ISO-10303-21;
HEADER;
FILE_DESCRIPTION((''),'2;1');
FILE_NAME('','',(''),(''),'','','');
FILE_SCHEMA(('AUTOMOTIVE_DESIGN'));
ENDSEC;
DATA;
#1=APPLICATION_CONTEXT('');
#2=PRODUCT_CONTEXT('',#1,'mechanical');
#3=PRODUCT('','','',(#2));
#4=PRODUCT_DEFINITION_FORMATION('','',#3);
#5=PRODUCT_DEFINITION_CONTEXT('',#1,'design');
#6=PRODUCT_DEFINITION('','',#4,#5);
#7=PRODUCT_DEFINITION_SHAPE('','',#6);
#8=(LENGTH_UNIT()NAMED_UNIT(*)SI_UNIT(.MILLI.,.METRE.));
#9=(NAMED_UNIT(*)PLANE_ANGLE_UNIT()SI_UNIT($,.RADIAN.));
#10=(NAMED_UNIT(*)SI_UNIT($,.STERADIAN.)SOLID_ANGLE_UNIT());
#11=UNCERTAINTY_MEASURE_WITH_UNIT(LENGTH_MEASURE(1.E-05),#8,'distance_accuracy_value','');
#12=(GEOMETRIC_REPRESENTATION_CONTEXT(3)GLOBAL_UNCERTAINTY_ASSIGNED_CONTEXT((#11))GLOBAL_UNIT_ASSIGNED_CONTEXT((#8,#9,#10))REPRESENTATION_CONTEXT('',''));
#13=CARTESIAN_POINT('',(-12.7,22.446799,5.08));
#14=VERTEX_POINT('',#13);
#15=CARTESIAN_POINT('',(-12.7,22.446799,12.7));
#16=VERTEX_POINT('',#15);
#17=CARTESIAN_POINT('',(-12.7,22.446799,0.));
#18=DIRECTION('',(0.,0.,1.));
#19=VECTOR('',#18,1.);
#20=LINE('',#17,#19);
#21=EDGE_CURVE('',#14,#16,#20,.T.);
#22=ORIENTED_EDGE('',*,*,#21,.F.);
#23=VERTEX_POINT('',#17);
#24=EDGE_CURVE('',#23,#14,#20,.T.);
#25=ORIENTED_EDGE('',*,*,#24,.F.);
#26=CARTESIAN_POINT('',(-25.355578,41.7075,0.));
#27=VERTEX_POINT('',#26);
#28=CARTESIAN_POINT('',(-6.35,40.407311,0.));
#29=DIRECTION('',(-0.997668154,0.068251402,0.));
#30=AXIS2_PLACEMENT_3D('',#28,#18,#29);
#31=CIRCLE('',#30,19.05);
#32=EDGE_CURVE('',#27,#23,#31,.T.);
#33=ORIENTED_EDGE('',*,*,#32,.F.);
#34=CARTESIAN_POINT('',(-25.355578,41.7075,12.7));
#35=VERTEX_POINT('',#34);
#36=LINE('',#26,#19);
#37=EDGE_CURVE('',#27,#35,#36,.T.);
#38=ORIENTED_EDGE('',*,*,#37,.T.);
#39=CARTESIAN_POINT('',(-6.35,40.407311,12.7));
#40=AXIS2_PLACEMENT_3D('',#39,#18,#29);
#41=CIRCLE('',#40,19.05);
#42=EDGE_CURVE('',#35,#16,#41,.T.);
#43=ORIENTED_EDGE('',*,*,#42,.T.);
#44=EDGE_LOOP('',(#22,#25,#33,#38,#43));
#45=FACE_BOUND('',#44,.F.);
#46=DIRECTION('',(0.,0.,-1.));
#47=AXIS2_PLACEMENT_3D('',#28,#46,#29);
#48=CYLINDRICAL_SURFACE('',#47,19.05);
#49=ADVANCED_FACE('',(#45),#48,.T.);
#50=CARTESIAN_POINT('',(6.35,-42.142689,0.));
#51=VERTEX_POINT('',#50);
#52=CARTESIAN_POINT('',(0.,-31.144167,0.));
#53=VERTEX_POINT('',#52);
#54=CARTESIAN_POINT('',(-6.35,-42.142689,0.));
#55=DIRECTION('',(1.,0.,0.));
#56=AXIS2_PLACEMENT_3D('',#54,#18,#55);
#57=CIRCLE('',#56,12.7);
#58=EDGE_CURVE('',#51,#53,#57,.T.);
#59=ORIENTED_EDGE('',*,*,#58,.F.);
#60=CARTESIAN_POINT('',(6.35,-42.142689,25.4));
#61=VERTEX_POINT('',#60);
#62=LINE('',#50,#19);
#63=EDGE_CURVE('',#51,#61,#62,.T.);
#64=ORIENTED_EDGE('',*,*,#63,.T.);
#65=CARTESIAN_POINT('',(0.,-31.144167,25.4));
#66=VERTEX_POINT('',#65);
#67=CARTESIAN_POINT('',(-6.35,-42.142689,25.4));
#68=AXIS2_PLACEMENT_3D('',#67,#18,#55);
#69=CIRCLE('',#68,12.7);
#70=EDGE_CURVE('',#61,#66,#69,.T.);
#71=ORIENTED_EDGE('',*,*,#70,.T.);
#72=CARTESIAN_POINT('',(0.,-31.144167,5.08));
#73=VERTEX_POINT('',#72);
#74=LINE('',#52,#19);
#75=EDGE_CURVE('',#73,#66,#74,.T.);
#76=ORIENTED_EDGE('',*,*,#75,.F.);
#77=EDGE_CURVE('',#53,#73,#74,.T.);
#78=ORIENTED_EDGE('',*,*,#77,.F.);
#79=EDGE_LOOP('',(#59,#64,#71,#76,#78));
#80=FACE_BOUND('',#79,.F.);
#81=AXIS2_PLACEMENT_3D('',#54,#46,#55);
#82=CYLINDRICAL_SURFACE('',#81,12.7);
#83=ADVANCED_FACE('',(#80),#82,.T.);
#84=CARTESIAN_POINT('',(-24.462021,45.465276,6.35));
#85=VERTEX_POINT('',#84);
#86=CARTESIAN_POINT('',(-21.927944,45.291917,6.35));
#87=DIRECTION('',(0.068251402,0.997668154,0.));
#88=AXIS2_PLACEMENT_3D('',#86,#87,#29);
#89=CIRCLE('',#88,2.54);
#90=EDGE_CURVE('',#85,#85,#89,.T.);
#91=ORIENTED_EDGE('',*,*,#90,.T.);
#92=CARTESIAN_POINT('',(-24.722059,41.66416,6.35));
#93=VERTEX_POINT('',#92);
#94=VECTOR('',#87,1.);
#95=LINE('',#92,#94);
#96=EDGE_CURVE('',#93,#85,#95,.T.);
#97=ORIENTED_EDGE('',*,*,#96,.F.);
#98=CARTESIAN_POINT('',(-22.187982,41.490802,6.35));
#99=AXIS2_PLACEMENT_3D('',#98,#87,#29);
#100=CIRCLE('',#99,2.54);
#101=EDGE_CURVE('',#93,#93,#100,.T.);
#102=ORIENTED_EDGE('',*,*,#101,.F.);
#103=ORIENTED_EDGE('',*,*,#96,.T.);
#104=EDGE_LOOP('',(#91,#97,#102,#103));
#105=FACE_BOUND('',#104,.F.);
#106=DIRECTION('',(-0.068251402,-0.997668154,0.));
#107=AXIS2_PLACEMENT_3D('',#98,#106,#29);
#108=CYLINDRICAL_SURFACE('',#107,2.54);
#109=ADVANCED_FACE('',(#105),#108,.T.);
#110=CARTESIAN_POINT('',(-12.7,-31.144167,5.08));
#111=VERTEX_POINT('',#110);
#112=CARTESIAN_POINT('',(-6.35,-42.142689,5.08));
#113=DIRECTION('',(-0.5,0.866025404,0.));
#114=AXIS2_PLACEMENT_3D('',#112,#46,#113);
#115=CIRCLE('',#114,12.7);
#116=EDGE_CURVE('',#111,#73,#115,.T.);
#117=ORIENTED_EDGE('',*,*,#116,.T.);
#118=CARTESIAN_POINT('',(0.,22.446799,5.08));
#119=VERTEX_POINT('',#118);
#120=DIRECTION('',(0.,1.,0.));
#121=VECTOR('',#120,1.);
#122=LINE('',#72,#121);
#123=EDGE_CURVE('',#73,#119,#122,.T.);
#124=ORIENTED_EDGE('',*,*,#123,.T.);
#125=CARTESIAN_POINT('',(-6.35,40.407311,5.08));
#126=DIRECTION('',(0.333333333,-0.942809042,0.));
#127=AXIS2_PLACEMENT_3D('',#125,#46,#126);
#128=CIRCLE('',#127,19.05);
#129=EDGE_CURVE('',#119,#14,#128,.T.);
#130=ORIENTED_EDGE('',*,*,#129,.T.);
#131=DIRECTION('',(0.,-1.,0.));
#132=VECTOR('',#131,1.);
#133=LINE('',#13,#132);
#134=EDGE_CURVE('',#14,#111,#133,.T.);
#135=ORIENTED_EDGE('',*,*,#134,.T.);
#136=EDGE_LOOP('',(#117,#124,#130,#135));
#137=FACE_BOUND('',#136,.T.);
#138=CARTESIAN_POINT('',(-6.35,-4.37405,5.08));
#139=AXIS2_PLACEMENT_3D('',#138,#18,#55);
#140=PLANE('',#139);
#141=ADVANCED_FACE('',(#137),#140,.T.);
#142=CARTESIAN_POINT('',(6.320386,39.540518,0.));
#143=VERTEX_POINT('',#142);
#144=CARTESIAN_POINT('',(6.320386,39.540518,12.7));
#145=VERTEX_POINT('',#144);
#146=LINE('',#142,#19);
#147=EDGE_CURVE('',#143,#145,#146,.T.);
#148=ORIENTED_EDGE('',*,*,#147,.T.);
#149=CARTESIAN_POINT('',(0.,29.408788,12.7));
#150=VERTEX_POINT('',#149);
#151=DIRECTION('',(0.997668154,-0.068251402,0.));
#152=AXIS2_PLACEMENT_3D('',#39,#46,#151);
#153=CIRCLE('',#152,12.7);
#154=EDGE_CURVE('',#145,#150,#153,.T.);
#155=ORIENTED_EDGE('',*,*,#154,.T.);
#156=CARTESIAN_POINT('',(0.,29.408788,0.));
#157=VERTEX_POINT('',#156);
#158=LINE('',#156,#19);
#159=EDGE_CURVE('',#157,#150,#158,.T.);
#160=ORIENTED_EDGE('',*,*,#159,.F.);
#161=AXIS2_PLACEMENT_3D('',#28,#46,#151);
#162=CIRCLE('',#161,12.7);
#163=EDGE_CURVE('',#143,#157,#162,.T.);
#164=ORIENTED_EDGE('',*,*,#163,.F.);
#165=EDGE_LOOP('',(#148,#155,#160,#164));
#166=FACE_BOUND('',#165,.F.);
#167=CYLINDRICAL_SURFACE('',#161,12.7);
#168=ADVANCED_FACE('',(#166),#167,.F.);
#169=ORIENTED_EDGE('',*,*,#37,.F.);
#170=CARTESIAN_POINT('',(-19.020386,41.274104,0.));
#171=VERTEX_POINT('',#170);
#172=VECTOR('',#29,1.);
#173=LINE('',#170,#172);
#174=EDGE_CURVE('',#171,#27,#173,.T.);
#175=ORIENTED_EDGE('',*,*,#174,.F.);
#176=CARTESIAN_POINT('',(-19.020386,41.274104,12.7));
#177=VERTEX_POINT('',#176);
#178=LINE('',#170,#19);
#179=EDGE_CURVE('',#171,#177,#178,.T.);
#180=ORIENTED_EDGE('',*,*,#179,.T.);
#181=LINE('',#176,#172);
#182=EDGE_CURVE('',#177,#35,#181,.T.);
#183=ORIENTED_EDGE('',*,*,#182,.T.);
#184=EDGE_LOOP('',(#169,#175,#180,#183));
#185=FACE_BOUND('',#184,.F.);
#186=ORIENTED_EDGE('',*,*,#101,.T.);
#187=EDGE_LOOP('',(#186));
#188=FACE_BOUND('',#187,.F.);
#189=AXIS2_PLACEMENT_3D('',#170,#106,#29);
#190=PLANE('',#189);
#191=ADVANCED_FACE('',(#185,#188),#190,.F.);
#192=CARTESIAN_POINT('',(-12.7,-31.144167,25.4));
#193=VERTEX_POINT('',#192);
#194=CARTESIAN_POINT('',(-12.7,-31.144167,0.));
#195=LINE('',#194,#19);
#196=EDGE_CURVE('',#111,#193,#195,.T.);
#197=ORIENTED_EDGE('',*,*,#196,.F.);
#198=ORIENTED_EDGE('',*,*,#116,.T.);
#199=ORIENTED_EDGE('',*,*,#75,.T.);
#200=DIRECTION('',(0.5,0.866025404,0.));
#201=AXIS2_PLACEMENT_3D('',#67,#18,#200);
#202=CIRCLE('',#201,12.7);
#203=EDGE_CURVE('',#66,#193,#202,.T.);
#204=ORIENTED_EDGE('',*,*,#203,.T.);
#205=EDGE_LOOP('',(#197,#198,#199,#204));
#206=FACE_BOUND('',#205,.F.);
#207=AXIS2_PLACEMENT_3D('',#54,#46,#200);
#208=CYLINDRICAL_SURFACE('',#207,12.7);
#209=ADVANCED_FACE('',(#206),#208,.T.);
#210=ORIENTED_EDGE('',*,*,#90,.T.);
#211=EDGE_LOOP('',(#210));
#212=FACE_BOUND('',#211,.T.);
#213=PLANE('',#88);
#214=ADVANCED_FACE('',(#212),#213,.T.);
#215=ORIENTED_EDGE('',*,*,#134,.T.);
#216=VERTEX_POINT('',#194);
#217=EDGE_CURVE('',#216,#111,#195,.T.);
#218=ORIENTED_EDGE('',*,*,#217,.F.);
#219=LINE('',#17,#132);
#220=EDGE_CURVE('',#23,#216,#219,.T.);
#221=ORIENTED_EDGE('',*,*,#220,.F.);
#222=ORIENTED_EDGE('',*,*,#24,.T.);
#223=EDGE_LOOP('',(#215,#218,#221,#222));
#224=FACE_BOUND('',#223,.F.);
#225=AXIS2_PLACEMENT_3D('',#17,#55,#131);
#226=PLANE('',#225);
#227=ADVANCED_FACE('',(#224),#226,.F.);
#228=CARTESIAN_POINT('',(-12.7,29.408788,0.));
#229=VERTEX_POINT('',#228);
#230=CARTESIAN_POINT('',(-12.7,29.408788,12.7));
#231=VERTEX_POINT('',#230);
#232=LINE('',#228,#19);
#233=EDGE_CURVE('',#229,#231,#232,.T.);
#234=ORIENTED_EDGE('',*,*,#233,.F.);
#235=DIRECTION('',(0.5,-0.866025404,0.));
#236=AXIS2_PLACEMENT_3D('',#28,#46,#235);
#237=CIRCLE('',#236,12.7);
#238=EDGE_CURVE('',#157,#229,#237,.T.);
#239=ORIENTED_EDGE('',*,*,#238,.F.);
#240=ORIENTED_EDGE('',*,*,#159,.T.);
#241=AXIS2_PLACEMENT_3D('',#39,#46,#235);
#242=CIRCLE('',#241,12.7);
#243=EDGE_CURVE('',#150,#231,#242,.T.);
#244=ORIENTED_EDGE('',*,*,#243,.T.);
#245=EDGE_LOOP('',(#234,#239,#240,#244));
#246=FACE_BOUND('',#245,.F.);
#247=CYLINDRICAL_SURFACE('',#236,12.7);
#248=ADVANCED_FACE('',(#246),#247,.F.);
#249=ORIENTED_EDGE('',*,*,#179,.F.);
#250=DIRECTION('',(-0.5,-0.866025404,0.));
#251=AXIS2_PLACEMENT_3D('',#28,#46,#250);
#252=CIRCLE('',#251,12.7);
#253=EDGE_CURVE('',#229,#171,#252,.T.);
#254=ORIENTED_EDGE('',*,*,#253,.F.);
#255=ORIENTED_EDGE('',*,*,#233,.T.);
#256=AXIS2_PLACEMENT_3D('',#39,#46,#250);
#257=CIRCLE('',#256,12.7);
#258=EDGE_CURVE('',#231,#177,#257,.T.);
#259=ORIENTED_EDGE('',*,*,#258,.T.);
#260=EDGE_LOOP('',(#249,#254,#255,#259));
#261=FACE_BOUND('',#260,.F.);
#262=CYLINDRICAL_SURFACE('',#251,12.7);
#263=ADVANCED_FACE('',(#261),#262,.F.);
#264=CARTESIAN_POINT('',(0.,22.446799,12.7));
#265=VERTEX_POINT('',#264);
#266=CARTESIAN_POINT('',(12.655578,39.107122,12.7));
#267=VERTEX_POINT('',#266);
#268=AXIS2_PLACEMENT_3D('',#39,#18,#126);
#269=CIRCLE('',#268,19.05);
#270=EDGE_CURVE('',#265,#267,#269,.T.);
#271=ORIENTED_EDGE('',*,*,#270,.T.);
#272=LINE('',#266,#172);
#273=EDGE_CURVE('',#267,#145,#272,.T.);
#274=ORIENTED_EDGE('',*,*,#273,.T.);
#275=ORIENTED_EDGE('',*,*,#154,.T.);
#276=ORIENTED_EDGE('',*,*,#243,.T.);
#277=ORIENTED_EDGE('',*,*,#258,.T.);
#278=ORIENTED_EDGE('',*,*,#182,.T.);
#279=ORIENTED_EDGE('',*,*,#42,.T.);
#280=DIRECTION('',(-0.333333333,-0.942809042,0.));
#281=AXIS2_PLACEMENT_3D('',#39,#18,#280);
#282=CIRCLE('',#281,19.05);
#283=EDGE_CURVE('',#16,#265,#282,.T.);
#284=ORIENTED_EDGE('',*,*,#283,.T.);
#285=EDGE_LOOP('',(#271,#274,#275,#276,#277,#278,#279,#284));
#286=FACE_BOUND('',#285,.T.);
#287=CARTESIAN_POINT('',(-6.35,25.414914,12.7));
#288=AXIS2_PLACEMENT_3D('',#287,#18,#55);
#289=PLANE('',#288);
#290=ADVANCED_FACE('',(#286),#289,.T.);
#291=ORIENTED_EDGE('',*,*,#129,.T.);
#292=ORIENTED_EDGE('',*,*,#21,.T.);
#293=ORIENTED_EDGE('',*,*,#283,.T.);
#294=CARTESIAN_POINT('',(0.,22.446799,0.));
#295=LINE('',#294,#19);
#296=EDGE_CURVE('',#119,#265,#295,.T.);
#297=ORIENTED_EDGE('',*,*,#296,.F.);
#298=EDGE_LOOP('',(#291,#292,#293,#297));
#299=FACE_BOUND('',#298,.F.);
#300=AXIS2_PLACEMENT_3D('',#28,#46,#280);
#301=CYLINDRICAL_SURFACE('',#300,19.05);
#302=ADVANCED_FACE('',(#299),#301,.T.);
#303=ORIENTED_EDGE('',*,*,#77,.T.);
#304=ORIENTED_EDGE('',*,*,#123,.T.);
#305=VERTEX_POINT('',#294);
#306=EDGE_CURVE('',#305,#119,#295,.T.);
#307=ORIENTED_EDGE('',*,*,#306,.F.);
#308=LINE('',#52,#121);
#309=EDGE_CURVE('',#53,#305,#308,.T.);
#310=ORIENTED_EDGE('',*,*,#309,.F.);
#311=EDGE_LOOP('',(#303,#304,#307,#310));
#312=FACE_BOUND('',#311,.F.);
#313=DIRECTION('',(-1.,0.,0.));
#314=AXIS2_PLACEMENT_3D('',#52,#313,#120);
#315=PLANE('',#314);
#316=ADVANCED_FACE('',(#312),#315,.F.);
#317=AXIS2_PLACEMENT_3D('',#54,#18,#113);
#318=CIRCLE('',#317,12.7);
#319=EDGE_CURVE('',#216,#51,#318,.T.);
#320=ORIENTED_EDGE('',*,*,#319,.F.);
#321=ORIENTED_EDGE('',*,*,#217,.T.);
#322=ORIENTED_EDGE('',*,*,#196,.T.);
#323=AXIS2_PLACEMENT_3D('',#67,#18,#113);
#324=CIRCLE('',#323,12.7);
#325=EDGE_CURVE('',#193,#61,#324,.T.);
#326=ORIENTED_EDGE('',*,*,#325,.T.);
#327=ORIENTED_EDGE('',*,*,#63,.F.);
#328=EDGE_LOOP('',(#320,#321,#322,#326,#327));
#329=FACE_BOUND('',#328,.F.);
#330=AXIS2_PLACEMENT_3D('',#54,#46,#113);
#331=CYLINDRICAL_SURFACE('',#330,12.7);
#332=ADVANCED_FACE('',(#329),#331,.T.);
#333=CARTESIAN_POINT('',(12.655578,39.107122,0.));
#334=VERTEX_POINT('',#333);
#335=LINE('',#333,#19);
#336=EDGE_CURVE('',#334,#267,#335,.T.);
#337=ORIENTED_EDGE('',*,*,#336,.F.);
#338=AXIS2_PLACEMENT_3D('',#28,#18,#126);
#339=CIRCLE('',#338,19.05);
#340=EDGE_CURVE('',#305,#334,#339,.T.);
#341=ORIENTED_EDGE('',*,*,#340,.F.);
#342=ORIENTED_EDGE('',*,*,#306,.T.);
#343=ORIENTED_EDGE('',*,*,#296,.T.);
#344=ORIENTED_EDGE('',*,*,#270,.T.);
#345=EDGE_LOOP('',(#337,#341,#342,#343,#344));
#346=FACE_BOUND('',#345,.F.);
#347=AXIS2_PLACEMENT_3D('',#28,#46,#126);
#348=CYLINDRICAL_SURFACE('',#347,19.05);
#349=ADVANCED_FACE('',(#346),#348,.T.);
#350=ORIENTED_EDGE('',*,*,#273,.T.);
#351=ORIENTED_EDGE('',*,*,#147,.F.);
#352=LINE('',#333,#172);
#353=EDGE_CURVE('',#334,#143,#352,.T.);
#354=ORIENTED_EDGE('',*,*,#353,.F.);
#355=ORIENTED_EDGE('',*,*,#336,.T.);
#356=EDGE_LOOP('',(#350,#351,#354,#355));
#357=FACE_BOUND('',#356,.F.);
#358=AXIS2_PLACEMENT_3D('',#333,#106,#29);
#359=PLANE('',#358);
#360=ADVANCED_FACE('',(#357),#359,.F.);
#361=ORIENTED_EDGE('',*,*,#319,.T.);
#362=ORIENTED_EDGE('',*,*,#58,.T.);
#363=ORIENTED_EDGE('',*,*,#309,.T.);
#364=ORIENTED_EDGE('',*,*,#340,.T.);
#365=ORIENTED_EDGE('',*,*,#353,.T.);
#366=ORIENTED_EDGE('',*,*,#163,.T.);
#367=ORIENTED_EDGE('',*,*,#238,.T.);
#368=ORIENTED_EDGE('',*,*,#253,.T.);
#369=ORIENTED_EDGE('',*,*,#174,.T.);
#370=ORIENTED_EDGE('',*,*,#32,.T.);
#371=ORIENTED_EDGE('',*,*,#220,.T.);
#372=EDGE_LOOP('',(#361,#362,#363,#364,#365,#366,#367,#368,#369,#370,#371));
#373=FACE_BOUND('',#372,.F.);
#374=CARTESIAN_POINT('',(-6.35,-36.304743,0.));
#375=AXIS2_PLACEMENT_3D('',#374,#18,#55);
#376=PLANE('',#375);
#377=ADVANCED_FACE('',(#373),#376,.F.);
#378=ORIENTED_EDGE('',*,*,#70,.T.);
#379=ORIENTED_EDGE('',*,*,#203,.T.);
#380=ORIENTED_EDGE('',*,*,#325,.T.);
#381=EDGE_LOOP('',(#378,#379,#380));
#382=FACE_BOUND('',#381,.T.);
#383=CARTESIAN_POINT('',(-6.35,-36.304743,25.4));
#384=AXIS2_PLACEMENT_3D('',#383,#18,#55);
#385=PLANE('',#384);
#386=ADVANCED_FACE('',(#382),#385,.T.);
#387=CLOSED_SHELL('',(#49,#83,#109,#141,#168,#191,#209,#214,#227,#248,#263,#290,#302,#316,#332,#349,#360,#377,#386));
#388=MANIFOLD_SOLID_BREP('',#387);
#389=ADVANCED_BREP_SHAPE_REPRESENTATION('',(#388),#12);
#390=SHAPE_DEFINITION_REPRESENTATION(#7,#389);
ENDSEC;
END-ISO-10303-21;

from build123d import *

# Parameters (mm, degrees)
F1_DEPTH = 12.7
F2_DEPTH = 5.08
F3_DEPTH = 25.4
F4_R     = 2.54
F5_DEPTH = 3.81


with BuildPart() as f1:
    # F0 (on Top) → F1 (new body)
    with BuildSketch(Plane.XY):
        with BuildLine():
            Line((-12.7, 29.4087881439), (-12.7, 22.4467985298))
            ThreePointArc((-12.7, 22.4467985298), (-6.35, 21.3573107719), (0, 22.4467985298))
            Line((0, 22.4467985298), (0, 29.4087881439))
            ThreePointArc((0, 29.4087881439), (-6.35, 27.7073107719), (-12.7, 29.4087881439))
        make_face()
        with BuildLine():
            ThreePointArc((-25.3555783398, 41.7074999772), (-22.2707409783, 29.9463114553), (-12.7, 22.4467985298))
            Line((-12.7, 22.4467985298), (-12.7, 29.4087881439))
            ThreePointArc((-12.7, 29.4087881439), (-17.5589336819, 34.4365649462), (-19.0203855599, 41.2741035754))
            Line((-19.0203855599, 41.2741035754), (-25.3555783398, 41.7074999772))
        make_face()
        with BuildLine():
            Line((0, 29.4087881439), (0, 22.4467985298))
            ThreePointArc((0, 22.4467985298), (8.8196383991, 28.8840920011), (12.6555783398, 39.1071215667))
            Line((12.6555783398, 39.1071215667), (6.3203855599, 39.5405179684))
            ThreePointArc((6.3203855599, 39.5405179684), (4.4252844056, 33.685462367), (0, 29.4087881439))
        make_face()
    extrude(amount=F1_DEPTH)

    # F0 (on Top) → F2 (join)
    with BuildSketch(Plane.XY):
        with BuildLine():
            Line((-12.7, 22.4467985298), (-12.7, -31.1441666))
            ThreePointArc((-12.7, -31.1441666), (-6.35, -29.4426892281), (0, -31.1441666))
            Line((0, -31.1441666), (0, 22.4467985298))
            ThreePointArc((0, 22.4467985298), (-6.35, 21.3573107719), (-12.7, 22.4467985298))
        make_face()
    extrude(amount=F2_DEPTH)

    # F0 (on Top) → F3 (join)
    with BuildSketch(Plane.XY):
        with BuildLine():
            Line((-12.7, -31.1441666), (-12.7, -42.1426892281))
            Line((-12.7, -42.1426892281), (-6.35, -42.1426892281))
            Line((-6.35, -42.1426892281), (0, -42.1426892281))
            Line((0, -42.1426892281), (0, -31.1441666))
            ThreePointArc((0, -31.1441666), (-6.35, -29.4426892281), (-12.7, -31.1441666))
        make_face()
        with BuildLine():
            Line((-6.35, -42.1426892281), (-12.7, -42.1426892281))
            Line((-12.7, -42.1426892281), (-12.7, -31.1441666))
            ThreePointArc((-12.7, -31.1441666), (-12.7, -53.1412118561), (6.35, -42.1426892281))
            ThreePointArc((6.35, -42.1426892281), (4.6485226281, -35.7926892281), (0, -31.1441666))
            Line((0, -31.1441666), (0, -42.1426892281))
            Line((0, -42.1426892281), (-6.35, -42.1426892281))
        make_face()
    extrude(amount=F3_DEPTH)

    # F4 (on face) → F5 (join)
    with BuildSketch(Plane(origin=(2.7218447995, 39.7866974726, 0), x_dir=(-0.9976681543, 0.0682514019, 0), z_dir=(0.0682514019, 0.9976681543, 0))):
        with Locations((24.9680483851, 6.35)):
            Circle(F4_R)
    extrude(amount=F5_DEPTH)


solid = f1.part
